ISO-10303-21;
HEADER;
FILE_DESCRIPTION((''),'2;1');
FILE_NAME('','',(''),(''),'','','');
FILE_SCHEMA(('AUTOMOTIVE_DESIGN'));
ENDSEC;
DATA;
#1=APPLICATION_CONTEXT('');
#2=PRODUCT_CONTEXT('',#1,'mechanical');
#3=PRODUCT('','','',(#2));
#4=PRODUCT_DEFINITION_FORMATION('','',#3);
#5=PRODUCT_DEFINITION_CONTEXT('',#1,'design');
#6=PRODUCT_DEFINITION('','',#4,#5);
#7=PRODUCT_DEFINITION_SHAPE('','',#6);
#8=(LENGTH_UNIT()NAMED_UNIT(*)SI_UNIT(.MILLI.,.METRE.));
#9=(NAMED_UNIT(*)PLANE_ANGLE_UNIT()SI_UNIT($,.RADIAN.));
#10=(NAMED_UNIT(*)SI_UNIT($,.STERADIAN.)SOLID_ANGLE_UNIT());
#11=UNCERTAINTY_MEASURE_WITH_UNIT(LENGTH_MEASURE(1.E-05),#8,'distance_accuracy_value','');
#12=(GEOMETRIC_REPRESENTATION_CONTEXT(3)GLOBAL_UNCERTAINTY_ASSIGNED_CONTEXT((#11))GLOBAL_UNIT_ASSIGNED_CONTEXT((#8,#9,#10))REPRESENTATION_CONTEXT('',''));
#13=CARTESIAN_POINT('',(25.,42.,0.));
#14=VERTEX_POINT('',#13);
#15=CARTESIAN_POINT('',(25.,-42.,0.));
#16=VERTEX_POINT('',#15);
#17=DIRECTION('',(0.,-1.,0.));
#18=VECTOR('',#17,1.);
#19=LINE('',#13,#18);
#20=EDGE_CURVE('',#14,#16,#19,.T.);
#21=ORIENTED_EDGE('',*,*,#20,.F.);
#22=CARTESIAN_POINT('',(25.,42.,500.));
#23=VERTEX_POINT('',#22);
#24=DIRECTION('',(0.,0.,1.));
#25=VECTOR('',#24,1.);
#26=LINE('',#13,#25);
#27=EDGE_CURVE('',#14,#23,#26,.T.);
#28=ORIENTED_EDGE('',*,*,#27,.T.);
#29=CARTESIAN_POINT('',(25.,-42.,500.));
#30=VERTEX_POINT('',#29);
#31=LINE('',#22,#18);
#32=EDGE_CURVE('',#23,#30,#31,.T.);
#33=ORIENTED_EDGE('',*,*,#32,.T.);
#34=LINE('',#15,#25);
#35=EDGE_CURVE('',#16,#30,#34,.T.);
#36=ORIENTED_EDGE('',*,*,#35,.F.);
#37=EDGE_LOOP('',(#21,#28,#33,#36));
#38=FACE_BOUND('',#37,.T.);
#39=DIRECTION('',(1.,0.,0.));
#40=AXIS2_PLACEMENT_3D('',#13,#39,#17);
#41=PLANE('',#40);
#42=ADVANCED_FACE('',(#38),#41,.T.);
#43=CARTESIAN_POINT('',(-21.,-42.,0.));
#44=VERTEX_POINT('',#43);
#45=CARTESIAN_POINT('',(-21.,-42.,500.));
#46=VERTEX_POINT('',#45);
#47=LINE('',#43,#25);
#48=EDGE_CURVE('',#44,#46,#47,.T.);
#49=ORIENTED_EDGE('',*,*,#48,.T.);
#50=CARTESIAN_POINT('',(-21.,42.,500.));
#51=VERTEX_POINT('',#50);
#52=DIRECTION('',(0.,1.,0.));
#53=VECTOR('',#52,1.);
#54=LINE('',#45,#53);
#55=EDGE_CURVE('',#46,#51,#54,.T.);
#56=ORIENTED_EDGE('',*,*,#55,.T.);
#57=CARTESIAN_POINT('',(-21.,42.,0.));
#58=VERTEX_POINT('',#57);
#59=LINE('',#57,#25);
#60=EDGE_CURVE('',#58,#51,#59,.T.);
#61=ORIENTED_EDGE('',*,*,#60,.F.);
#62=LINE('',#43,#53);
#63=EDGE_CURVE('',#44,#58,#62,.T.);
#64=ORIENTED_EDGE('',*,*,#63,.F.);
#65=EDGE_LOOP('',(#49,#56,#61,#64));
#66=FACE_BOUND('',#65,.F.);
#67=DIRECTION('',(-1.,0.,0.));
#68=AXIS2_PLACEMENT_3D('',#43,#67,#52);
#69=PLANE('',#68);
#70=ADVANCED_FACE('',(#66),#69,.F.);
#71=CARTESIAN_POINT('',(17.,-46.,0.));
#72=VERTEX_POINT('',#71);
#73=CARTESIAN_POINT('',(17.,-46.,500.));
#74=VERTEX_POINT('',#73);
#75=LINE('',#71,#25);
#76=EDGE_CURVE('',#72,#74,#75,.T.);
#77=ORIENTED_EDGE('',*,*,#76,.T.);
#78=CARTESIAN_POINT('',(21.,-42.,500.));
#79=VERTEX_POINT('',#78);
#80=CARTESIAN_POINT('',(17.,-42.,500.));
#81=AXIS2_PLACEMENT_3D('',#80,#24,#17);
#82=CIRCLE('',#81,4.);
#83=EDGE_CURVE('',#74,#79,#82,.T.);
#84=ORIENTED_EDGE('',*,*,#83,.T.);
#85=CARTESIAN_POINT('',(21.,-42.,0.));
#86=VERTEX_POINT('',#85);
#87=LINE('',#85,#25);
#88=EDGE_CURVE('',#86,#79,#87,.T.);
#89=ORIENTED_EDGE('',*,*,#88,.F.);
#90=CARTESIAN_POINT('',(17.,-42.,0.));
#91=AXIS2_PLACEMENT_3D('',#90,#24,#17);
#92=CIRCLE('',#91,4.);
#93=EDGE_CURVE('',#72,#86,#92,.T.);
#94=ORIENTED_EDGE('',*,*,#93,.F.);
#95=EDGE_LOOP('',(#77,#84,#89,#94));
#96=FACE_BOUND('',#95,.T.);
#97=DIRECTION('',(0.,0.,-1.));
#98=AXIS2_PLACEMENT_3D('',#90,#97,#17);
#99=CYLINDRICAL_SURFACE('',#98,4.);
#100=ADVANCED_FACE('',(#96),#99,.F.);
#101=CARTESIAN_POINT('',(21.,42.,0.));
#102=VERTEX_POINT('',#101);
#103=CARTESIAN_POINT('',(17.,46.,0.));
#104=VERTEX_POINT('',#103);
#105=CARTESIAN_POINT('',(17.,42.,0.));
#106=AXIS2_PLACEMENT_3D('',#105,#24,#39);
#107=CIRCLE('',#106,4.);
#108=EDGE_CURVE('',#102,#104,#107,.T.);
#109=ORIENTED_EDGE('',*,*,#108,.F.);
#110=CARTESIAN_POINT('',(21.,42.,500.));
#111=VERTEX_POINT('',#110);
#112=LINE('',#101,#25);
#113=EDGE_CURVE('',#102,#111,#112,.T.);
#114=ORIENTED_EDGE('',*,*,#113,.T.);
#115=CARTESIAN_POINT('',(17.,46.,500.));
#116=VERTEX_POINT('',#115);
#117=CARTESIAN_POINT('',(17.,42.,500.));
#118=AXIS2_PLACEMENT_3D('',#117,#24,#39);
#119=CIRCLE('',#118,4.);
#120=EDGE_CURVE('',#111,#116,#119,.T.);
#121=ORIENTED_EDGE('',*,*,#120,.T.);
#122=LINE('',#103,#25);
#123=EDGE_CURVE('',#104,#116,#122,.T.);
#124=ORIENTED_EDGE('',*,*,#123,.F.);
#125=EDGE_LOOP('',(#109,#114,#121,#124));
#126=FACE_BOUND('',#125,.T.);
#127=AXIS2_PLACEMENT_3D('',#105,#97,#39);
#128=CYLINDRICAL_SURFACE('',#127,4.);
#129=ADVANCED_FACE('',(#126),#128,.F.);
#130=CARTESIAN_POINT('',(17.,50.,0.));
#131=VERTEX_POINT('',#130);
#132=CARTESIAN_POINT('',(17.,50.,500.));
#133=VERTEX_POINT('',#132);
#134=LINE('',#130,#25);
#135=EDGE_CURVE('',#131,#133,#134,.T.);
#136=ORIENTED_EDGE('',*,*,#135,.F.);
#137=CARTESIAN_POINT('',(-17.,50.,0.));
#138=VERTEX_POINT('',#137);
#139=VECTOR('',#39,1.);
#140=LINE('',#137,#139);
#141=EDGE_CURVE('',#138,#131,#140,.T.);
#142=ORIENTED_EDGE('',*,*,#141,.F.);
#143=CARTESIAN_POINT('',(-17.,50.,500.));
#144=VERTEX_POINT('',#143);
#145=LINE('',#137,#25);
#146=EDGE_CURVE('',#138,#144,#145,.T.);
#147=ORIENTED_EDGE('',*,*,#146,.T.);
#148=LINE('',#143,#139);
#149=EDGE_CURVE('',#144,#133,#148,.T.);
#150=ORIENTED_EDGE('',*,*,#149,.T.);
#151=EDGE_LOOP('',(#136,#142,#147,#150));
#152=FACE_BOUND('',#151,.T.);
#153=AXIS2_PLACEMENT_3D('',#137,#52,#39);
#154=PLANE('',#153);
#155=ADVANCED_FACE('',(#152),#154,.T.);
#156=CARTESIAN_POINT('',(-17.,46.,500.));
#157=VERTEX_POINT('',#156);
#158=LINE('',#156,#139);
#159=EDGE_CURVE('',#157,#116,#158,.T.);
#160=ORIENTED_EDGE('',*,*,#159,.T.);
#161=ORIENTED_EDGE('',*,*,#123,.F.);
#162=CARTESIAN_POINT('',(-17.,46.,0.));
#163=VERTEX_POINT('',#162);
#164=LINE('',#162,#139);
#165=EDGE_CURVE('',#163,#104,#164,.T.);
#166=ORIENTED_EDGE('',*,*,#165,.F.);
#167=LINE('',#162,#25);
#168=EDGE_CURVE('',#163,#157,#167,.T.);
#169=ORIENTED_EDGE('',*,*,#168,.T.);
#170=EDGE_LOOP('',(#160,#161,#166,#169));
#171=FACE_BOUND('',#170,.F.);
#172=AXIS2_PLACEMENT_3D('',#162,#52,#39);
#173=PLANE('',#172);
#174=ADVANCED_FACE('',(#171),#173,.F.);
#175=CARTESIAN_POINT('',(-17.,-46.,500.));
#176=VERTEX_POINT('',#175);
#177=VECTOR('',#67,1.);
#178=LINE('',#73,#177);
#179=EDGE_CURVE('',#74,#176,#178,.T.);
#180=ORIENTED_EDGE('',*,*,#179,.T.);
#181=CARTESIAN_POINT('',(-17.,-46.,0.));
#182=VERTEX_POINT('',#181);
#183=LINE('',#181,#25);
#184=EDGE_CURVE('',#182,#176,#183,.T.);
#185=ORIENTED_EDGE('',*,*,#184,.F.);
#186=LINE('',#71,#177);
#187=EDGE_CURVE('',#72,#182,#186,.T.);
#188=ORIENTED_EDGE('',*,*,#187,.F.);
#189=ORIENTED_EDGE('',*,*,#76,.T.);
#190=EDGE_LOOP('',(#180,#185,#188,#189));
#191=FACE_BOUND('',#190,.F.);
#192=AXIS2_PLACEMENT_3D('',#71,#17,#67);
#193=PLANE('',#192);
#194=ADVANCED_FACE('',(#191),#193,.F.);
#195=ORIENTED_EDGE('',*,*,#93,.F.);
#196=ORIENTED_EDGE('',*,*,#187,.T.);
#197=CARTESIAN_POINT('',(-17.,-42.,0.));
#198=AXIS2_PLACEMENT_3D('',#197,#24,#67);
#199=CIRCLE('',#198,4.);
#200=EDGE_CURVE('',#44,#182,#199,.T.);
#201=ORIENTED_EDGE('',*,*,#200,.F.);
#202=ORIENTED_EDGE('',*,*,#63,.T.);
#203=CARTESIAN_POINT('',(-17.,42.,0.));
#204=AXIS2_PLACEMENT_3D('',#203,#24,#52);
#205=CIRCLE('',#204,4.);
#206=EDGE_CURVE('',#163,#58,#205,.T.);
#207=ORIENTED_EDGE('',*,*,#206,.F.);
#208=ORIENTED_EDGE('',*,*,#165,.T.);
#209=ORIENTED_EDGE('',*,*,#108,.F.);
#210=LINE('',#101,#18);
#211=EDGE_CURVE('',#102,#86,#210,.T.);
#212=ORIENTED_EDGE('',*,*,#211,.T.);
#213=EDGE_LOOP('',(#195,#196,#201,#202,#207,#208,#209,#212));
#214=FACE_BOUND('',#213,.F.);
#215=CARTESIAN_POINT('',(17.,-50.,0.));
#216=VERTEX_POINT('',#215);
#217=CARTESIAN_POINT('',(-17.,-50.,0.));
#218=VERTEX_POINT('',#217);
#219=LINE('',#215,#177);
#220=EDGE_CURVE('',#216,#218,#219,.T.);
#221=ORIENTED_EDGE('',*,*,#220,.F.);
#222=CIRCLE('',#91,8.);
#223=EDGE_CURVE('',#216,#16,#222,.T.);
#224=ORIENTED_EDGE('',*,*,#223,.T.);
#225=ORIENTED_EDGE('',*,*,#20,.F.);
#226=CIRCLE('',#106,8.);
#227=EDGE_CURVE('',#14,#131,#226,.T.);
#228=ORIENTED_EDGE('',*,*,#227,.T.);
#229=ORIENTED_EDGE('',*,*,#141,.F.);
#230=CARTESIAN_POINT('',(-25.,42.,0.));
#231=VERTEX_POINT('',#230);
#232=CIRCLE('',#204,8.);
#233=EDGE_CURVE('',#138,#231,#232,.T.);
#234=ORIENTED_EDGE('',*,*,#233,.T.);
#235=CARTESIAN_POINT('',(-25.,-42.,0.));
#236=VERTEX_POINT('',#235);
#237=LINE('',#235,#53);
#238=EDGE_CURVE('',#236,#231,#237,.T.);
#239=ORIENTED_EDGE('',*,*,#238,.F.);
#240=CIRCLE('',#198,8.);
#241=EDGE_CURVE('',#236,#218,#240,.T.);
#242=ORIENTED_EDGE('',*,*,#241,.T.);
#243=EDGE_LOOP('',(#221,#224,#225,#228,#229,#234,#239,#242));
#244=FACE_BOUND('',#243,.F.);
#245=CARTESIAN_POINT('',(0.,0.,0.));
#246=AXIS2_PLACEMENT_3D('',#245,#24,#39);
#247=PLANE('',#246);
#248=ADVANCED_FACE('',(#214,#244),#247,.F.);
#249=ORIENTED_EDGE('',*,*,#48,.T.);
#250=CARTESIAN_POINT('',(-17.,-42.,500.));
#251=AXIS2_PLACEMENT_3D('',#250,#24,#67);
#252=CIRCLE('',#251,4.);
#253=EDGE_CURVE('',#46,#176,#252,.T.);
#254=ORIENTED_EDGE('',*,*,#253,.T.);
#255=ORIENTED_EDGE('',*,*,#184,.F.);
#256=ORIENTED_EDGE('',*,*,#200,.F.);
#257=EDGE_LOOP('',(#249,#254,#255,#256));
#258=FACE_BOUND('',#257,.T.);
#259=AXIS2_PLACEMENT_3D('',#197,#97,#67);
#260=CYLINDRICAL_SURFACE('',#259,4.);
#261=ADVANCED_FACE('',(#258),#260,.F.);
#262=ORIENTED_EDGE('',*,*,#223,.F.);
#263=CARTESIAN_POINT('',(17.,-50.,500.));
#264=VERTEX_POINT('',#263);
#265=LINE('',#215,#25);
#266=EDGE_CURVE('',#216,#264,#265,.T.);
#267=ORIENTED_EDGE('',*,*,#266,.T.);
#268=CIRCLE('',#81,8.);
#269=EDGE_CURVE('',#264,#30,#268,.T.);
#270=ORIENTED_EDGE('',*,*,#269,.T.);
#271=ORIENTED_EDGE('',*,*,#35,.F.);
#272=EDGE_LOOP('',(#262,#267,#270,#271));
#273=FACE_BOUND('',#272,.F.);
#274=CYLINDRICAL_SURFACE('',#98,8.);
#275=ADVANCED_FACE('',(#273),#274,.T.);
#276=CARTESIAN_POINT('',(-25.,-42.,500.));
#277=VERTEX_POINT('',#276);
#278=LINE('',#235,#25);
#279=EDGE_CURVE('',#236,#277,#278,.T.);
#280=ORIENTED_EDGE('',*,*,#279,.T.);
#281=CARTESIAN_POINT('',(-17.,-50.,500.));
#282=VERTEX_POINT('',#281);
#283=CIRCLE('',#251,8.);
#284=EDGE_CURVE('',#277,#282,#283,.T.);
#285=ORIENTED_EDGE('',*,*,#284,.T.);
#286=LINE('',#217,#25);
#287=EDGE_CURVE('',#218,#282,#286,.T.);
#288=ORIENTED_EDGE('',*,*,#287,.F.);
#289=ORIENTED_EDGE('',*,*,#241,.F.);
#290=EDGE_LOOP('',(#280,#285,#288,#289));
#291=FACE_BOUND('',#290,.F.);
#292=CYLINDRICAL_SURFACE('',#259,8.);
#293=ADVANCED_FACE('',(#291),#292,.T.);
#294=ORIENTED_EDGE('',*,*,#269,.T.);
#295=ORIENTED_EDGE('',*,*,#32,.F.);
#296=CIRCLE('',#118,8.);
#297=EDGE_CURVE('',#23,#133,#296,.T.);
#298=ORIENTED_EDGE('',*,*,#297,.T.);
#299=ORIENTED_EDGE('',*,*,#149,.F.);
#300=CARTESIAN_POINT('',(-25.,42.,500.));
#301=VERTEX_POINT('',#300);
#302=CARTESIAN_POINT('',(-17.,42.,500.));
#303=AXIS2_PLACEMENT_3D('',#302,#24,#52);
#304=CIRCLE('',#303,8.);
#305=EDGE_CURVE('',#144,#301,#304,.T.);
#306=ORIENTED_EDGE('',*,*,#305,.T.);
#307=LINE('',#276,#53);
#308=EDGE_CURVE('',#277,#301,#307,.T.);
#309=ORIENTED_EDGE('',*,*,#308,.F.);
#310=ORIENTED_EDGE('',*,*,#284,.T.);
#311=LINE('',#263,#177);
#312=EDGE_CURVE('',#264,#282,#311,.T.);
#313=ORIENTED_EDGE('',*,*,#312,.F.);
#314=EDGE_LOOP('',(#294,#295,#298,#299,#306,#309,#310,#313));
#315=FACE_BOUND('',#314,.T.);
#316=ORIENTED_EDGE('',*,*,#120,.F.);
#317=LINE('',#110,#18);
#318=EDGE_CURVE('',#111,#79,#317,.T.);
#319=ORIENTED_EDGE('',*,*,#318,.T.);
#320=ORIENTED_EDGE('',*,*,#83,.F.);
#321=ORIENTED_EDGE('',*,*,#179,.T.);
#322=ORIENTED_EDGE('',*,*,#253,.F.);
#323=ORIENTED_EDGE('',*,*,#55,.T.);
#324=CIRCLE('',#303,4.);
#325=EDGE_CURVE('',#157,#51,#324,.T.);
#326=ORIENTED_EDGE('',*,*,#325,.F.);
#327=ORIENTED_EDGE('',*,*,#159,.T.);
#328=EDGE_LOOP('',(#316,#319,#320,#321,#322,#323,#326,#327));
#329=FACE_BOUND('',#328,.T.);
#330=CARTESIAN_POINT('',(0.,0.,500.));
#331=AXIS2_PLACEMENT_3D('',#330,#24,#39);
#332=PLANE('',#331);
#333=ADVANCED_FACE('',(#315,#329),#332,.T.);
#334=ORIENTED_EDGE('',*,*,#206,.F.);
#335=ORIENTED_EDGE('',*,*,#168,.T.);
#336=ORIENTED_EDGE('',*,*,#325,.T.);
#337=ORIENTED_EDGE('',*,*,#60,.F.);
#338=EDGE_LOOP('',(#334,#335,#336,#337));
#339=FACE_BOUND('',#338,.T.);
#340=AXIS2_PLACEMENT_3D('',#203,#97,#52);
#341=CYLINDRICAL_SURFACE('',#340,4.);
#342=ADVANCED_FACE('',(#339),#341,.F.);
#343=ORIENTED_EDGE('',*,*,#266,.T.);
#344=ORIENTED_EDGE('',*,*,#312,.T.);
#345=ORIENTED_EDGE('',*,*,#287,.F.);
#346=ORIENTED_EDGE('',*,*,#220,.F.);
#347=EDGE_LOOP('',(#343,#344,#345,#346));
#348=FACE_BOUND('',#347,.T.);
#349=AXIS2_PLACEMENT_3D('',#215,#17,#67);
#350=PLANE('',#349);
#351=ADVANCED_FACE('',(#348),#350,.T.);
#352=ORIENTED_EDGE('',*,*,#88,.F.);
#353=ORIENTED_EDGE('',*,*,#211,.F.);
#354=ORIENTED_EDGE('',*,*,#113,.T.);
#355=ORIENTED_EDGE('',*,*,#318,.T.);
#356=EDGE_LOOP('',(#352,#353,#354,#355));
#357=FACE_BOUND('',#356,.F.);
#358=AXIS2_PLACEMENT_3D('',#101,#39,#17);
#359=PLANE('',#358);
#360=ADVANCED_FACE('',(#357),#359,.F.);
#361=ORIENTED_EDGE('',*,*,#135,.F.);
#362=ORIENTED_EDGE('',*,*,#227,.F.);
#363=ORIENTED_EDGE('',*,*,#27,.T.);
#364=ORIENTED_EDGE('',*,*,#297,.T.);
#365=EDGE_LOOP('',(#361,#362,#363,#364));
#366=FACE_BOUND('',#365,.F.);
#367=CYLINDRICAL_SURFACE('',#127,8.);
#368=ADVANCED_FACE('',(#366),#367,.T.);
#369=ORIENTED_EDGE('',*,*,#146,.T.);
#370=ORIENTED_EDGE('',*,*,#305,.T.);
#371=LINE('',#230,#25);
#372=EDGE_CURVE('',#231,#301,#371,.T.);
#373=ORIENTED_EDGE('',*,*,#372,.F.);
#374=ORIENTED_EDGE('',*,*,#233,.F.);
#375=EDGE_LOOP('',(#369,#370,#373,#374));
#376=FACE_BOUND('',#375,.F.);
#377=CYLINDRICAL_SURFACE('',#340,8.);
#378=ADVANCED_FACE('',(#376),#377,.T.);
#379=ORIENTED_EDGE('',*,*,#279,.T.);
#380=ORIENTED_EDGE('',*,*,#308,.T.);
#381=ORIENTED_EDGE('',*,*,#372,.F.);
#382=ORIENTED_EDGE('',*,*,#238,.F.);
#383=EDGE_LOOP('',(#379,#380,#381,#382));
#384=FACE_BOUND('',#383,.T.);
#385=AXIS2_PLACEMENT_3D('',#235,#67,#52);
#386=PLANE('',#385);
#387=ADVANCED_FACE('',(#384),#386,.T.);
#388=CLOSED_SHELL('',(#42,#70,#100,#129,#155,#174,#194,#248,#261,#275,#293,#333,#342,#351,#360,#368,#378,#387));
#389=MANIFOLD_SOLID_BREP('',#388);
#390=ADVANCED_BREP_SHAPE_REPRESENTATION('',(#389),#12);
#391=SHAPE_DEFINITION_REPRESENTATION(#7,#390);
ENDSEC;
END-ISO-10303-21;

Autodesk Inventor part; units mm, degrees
ref_plane "YZ Plane" through (0, 0, 0) normal (1, 0, 0) x (0, 1, 0)
ref_plane "Start Plane" through (0, 0, 0) normal (0, 0, 1) x (1, 0, 0)
ref_plane "End Plane" through (0, 0, 500) normal (0, 0, 1) x (1, 0, 0)
sketch "Sketch" plane through (0, 0, 0) normal (0, 0, 1) x (1, 0, 0)
  line L0 (-25, -42) -> (-25, 42)
  line L1 (-17, 50) -> (17, 50)
  line L2 (25, 42) -> (25, -42)
  line L3 (17, -50) -> (-17, -50)
  arc A0 (-25, -42) -> (-17, -50) centre (-17, -42) ccw
  arc A1 (25, 42) -> (17, 50) centre (17, 42) ccw
  arc A2 (-17, 50) -> (-25, 42) centre (-17, 42) ccw
  arc A3 (17, -50) -> (25, -42) centre (17, -42) ccw
  arc A4 (-17, 46) -> (-21, 42) centre (-17, 42) ccw
  line L4 (-17, 46) -> (17, 46)
  arc A5 (21, 42) -> (17, 46) centre (17, 42) ccw
  line L5 (21, 42) -> (21, -42)
  arc A6 (17, -46) -> (21, -42) centre (17, -42) ccw
  line L6 (17, -46) -> (-17, -46)
  arc A7 (-21, -42) -> (-17, -46) centre (-17, -42) ccw
  line L7 (-21, -42) -> (-21, 42)
  line L8 (0, 72.3196) -> (0, -72.3196) construction
  line L9 (-37.3196, 0) -> (37.3196, 0) construction
  dimension "d7" = 8
  dimension "d9" = 50
  dimension "d11" = 100
  dimension "d12" = 4
  dimension "d15" = 25
  dimension "d16" = 50
extrude "Body" add sketch "Sketch" along normal up to surface (500 mm away) from surface at 0
sketch "Sketch3" plane through (0, 0, 0) normal (0, 0, 1) x (1, 0, 0)
  line L0 (0, 0) -> (10, 0)
ref_plane "Work Plane3" through (0, 0, 0) normal (0, -1, 0) x (1, 0, 0)
sketch "Sketch4" plane through (0, 0, 0) normal (0, -1, 0) x (1, 0, 0)
  line L0 (-2, 0) -> (12, 0) projected
  line L1 (-2, 500) -> (12, 500) projected
  dimension "d18" = 500
equation "\"d7\" = G_IR"
equation "\"d9\" = G_W"
equation "\"d11\" = G_H"
equation "\"d12\" = G_T"
equation "\"d15\" = 0.5 * d9"
equation "\"d16\" = 0.5 * d11"
equation "\"d3\" = G_L"
equation "\"G_W\" = 50"
equation "\"G_H\" = 100"
equation "\"G_T\" = 4"
equation "\"G_IR\" = 8"
equation "\"G_L\" = d18"
equation "\"G_OFFSET_START\" = 0"
equation "\"G_OFFSET_END\" = 0"
properties part number "ISO 4019 - 100x50x4 - 500" material "Steel, Mild"
